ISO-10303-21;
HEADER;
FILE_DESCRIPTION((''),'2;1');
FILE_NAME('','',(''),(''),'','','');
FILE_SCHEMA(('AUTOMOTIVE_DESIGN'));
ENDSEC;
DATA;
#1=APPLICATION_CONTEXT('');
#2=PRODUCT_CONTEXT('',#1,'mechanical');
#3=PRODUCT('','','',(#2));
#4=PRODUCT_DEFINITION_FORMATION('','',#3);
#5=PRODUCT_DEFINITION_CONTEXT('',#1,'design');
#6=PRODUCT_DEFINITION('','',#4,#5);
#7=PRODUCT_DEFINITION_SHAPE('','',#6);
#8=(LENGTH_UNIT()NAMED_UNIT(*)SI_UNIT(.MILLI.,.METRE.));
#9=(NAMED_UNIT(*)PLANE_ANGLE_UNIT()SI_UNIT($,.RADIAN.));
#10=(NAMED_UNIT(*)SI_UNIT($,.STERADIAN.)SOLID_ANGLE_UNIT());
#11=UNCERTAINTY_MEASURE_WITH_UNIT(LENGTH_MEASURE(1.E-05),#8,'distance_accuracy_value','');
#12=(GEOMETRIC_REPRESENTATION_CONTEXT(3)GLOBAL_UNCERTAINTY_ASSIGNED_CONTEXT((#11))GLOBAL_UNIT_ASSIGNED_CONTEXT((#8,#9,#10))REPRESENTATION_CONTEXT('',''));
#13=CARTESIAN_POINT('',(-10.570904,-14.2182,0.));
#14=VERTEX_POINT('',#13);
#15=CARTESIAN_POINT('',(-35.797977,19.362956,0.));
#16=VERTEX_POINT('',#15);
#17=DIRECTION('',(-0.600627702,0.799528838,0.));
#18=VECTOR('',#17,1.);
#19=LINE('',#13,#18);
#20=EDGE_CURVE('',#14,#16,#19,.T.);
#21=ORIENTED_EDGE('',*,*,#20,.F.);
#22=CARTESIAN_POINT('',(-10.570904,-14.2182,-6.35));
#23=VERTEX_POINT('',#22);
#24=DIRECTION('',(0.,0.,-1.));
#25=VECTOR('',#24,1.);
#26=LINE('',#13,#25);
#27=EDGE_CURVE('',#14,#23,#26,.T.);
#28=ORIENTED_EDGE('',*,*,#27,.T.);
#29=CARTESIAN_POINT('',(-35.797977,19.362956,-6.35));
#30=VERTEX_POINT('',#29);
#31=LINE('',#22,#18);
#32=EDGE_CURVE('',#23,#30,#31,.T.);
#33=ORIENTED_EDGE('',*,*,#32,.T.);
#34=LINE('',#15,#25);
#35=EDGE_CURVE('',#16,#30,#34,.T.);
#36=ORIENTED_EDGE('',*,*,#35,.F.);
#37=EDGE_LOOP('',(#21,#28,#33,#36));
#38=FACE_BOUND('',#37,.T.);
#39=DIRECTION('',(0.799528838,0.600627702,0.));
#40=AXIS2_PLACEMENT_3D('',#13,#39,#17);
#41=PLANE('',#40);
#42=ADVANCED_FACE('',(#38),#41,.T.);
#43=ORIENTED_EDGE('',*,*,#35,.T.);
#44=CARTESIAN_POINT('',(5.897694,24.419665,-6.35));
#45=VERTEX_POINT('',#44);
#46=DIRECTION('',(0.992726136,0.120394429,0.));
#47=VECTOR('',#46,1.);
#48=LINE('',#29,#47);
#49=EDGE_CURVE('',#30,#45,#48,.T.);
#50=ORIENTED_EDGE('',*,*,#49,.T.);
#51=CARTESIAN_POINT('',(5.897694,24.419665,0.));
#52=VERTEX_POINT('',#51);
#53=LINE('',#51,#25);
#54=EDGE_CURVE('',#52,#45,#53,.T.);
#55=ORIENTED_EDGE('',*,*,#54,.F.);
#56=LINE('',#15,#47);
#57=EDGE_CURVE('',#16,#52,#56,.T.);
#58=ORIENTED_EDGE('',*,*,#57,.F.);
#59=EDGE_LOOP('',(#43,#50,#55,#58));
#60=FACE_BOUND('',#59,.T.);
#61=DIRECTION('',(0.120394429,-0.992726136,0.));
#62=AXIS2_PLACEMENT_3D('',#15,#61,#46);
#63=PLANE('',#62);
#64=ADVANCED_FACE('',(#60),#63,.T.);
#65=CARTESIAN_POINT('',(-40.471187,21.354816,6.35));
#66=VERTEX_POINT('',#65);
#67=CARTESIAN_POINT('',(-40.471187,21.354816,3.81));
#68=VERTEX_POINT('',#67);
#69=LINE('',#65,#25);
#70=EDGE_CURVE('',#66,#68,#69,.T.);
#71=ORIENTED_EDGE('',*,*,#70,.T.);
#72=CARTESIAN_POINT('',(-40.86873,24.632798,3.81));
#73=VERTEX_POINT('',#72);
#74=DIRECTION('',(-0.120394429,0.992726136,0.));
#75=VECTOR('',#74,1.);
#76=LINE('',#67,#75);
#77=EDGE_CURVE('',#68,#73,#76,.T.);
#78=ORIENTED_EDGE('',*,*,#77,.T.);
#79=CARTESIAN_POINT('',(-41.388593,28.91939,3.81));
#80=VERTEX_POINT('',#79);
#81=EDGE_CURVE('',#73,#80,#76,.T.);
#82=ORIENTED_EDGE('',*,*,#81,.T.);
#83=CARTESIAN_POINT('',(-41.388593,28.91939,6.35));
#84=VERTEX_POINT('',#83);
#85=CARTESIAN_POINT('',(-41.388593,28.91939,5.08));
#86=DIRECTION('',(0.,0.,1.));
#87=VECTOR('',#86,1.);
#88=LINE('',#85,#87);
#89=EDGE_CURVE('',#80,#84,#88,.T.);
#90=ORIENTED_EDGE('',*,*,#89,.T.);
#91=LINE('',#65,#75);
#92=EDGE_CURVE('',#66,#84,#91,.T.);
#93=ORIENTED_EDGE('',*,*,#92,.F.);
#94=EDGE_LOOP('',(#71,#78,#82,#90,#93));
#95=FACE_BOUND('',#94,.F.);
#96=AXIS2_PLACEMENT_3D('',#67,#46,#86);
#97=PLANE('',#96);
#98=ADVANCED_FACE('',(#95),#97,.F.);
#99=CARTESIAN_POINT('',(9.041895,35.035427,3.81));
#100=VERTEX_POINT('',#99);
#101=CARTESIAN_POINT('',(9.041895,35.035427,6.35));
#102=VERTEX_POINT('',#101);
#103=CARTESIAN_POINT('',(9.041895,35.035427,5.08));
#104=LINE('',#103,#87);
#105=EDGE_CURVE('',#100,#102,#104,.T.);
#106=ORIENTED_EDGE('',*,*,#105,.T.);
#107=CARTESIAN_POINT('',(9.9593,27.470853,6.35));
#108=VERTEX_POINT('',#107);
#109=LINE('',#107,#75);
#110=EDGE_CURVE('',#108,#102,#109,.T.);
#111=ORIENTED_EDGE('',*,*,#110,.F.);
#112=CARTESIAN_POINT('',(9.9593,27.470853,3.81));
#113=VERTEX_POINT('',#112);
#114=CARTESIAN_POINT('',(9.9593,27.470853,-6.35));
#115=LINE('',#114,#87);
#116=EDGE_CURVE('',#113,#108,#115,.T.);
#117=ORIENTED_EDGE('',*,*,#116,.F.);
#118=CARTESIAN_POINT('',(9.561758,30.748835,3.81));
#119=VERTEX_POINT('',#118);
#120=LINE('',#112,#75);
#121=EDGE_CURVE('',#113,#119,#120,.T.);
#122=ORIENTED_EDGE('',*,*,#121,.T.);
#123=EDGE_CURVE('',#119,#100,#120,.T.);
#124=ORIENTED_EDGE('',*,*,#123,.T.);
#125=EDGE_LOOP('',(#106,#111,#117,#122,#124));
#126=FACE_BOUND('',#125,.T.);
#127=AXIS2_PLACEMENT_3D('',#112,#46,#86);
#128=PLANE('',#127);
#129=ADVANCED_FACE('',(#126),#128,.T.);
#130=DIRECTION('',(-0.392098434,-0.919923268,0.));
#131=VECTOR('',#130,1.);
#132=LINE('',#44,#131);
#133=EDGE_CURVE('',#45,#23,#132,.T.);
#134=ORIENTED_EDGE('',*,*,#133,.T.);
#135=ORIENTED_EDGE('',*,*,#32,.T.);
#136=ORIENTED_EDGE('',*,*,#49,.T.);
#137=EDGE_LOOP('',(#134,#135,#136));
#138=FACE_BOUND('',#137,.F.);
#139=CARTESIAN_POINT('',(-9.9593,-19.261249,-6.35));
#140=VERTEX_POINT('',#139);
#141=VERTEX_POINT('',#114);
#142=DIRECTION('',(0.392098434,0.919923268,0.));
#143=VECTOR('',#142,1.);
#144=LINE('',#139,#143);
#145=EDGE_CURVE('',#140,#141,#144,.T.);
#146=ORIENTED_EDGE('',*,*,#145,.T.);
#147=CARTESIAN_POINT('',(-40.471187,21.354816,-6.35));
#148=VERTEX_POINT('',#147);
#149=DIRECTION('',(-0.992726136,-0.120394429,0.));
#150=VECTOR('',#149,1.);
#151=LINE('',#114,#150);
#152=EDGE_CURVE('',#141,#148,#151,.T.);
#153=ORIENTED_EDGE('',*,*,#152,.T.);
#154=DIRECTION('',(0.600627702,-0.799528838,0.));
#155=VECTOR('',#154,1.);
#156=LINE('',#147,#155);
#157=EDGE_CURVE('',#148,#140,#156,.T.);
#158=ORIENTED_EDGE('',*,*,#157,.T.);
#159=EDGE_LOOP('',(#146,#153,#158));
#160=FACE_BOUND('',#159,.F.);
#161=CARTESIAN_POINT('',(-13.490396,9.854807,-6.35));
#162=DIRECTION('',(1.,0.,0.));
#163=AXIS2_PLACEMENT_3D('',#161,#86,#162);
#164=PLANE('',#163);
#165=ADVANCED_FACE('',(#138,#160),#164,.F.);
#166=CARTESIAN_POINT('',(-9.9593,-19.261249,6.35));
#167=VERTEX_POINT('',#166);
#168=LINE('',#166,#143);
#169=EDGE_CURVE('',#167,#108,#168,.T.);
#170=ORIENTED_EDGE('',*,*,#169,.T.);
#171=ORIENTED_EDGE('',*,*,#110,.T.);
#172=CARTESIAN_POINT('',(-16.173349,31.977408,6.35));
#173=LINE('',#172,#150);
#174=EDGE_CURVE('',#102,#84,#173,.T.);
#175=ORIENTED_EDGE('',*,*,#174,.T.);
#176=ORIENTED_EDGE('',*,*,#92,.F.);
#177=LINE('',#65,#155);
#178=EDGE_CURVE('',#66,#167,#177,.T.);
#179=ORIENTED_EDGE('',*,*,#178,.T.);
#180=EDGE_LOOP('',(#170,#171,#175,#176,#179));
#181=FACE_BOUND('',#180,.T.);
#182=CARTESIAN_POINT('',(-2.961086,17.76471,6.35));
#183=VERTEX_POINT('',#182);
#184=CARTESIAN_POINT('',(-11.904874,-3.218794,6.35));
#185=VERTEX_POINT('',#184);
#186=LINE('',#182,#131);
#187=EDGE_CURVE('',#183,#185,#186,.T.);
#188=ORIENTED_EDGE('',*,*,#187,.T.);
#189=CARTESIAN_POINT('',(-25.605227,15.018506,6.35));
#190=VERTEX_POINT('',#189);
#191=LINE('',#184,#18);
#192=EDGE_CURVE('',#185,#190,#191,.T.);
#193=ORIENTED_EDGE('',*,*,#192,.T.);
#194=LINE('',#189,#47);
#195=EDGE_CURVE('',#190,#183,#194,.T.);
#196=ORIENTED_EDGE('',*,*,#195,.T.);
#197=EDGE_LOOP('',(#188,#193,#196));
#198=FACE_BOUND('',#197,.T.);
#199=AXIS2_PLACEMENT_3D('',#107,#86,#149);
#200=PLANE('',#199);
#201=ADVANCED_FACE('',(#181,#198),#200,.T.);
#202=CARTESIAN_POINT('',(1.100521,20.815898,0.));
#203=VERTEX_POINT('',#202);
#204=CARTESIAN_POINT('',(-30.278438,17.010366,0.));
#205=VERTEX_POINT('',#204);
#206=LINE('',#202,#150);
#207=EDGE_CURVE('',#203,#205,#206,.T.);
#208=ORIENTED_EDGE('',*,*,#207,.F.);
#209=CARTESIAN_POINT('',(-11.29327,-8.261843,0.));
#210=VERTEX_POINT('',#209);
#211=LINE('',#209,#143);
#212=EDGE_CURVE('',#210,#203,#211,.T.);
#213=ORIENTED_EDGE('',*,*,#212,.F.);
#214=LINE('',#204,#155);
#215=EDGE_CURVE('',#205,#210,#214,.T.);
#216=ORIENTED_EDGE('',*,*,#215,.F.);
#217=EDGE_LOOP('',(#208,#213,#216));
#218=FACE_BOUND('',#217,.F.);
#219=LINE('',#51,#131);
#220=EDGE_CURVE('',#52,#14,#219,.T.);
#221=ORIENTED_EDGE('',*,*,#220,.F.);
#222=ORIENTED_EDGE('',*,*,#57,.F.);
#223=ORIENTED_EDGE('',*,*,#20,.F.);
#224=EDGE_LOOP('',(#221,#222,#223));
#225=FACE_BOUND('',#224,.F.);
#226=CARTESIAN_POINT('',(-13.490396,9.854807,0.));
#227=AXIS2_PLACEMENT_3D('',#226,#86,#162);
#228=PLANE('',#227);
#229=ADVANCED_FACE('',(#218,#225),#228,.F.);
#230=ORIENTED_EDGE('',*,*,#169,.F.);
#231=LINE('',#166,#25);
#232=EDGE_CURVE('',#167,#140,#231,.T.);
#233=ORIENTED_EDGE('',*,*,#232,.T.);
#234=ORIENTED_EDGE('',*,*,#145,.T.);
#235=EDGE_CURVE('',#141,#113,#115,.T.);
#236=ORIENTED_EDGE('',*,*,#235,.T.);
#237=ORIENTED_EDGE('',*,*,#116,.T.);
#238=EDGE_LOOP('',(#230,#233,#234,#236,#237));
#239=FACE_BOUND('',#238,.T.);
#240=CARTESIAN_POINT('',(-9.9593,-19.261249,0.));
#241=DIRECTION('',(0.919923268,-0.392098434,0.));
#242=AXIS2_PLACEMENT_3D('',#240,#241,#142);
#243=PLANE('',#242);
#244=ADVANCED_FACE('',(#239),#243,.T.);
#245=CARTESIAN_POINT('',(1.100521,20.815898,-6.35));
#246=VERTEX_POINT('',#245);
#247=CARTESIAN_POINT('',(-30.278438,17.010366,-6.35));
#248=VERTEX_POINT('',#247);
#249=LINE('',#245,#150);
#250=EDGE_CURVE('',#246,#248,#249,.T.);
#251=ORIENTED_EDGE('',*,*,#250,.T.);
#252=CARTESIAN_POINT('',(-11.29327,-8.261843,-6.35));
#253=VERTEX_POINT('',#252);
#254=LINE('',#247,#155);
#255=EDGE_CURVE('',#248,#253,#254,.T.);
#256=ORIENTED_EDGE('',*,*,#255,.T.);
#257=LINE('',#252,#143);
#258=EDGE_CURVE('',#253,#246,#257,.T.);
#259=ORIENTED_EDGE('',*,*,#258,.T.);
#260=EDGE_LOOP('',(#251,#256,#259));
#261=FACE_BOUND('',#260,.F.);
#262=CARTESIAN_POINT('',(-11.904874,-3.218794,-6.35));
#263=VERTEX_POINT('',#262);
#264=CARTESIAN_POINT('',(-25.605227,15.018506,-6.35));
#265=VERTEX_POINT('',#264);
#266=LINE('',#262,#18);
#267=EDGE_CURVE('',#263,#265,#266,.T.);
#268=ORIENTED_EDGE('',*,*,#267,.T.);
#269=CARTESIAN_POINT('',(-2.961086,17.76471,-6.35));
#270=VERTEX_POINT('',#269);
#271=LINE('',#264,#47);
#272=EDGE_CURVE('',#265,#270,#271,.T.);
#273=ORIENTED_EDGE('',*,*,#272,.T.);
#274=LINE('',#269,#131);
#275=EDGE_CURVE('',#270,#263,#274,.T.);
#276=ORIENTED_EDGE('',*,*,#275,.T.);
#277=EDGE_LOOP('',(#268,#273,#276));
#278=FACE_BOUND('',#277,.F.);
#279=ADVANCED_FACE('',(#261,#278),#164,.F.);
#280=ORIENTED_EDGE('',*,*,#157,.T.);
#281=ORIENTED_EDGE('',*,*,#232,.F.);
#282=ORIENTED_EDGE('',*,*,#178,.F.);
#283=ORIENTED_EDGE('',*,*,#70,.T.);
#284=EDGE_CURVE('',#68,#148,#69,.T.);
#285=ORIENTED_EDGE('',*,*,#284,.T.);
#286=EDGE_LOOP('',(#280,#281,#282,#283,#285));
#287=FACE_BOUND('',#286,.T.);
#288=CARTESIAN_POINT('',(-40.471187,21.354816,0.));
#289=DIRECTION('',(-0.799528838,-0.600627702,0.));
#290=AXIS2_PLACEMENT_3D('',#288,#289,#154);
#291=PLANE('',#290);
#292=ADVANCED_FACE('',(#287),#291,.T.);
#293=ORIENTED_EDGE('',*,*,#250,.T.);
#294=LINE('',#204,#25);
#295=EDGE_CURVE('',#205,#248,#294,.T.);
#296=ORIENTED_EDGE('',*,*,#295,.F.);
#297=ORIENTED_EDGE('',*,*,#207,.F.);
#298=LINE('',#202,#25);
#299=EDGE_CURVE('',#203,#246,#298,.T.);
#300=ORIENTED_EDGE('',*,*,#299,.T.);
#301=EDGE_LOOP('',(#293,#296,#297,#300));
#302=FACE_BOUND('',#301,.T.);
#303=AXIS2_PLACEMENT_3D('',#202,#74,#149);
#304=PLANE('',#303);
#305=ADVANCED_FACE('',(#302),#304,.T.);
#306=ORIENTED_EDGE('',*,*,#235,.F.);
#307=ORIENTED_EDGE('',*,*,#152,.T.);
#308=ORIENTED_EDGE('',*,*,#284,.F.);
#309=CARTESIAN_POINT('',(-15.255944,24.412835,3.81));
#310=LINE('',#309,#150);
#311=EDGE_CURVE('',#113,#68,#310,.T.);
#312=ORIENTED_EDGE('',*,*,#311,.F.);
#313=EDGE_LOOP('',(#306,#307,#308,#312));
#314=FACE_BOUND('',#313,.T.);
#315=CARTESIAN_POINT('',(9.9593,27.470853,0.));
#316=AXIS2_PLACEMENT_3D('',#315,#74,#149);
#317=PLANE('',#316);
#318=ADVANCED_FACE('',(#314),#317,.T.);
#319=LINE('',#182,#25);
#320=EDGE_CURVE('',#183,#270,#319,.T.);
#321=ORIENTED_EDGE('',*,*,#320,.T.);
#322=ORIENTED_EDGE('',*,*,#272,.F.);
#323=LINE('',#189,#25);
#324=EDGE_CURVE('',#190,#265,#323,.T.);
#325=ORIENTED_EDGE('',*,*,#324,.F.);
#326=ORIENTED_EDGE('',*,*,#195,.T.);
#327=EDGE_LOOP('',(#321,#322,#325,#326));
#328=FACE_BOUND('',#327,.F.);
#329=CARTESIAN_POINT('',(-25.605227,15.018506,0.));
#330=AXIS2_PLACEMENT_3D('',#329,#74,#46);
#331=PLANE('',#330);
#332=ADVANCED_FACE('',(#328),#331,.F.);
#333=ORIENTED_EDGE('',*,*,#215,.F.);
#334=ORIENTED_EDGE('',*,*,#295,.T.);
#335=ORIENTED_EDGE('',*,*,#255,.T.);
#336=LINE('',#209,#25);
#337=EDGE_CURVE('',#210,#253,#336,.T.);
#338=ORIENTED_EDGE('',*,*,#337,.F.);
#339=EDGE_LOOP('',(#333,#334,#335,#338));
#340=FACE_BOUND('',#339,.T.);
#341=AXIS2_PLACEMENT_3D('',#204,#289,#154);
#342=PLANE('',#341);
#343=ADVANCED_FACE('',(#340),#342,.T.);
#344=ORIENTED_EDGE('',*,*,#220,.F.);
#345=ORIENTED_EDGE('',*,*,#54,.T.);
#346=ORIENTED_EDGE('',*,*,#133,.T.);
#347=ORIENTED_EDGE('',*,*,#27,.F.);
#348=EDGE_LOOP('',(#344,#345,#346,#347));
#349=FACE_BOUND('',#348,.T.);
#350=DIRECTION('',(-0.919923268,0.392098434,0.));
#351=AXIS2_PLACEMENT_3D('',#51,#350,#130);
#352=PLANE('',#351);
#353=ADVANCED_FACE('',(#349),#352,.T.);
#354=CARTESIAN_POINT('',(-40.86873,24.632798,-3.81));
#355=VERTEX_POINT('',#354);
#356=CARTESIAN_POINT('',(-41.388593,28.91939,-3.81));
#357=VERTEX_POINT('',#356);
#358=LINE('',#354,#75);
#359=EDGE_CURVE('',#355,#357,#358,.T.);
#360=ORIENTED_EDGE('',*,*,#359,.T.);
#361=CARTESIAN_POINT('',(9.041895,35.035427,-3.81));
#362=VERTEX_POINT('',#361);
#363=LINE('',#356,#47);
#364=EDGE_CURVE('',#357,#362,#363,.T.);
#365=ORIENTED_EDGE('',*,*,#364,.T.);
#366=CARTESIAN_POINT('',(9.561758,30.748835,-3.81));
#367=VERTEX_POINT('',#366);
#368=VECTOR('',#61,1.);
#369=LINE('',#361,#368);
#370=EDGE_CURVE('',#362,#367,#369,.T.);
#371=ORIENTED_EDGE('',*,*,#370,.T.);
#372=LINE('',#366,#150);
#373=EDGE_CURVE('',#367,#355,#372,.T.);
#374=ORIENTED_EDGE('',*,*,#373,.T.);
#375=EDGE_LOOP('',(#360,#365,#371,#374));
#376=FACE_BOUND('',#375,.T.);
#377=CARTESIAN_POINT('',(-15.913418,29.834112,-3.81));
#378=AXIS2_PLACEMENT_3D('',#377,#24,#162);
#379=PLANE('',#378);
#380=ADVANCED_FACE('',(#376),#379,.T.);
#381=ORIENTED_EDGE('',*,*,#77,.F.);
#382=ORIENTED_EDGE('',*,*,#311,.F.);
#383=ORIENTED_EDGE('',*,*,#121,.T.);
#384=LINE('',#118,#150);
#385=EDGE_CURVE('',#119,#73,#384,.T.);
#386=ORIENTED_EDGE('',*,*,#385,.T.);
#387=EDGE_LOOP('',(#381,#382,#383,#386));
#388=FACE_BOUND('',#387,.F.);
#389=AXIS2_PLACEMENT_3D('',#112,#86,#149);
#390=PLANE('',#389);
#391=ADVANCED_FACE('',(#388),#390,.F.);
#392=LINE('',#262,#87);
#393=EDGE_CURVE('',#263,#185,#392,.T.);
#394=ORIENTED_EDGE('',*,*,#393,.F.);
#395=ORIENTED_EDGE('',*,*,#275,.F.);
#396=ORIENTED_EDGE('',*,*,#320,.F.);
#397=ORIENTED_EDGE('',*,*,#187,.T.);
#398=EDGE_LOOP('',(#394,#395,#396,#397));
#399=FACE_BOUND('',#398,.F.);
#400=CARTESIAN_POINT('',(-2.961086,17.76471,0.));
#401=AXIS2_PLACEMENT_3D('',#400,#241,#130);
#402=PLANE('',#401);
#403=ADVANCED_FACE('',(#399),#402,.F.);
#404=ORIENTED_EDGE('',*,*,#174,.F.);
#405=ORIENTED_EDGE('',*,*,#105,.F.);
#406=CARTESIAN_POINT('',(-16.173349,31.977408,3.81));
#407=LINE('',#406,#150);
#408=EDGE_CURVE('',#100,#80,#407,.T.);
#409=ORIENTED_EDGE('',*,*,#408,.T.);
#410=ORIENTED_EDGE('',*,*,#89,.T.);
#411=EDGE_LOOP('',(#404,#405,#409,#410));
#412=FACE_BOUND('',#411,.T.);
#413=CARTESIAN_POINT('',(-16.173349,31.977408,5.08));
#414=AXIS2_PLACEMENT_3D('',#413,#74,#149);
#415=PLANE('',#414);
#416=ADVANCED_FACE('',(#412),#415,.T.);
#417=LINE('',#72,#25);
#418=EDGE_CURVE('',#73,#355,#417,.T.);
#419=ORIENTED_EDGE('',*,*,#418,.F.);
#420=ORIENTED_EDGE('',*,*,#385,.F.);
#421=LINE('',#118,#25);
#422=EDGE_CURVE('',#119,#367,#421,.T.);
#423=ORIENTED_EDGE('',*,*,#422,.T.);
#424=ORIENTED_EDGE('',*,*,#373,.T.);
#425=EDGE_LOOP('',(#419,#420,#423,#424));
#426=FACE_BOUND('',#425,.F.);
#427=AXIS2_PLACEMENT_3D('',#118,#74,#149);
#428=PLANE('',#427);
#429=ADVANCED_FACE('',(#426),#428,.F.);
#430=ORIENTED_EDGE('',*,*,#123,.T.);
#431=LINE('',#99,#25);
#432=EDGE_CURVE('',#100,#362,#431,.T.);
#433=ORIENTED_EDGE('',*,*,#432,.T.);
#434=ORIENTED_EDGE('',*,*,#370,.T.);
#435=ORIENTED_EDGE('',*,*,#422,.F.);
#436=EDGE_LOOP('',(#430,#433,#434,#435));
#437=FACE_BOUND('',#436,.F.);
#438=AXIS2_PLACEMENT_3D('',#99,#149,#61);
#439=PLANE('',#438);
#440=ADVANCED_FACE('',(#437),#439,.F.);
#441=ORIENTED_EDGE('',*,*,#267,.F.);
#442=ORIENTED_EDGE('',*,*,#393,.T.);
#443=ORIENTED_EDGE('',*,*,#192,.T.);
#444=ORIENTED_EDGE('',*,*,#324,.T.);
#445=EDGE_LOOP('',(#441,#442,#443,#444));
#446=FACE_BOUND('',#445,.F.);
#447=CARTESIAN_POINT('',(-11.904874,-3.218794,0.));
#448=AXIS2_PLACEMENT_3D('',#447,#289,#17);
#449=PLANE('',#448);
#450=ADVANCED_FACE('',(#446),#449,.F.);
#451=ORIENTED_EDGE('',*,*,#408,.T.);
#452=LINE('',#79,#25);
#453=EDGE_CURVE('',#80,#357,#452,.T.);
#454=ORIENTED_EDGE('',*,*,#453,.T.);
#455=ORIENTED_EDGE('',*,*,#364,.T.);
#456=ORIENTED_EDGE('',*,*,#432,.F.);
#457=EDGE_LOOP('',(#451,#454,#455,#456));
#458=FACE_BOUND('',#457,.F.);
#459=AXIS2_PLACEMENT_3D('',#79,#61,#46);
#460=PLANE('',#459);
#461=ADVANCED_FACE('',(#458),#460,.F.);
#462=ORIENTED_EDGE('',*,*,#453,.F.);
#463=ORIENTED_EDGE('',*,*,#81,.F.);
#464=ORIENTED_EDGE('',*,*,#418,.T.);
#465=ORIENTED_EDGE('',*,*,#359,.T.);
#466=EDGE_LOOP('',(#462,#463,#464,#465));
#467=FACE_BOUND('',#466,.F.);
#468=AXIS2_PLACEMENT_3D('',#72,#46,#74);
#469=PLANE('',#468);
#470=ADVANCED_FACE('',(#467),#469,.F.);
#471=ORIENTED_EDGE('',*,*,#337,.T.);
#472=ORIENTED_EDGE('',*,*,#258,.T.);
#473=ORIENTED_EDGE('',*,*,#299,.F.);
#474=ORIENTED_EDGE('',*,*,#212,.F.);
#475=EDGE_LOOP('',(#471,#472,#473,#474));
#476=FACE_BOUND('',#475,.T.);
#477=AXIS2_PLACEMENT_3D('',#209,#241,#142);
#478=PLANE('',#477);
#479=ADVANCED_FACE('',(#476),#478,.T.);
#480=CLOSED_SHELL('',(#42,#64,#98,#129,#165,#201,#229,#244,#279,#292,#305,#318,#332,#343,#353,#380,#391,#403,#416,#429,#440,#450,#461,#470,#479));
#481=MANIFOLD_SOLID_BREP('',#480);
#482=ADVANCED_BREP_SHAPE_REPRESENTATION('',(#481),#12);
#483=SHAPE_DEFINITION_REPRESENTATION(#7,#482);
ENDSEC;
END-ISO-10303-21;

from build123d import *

# Parameters (mm, degrees)
F1_DEPTH = 6.35
F2_DEPTH = 6.35
F3_W     = 50.8
F3_H     = 2.54
F4_DEPTH = 7.62
F6_DEPTH = 7.62


with BuildPart() as f1:
    # F0 (on Top) → F1 (new body)
    with BuildSketch(Plane.XY):
        Polygon((-9.9593002213, -19.26124861), (9.9593002213, 27.47085338), (-40.4711874956, 21.3548163761), align=None)
        Polygon((-10.5709039217, -14.2181998383), (-35.7979772966, 19.3629563319), (5.8976937227, 24.4196646526), align=None, mode=Mode.SUBTRACT)
        Polygon((5.8976937227, 24.4196646526), (-35.7979772966, 19.3629563319), (-10.5709039217, -14.2181998383), align=None)
        Polygon((-11.293270497, -8.2618430214), (-30.2784376915, 17.0103657284), (1.1005206928, 20.8158984391), align=None, mode=Mode.SUBTRACT)
        Polygon((1.1005206928, 20.8158984391), (-30.2784376915, 17.0103657284), (-11.293270497, -8.2618430214), align=None)
        Polygon((-11.9048741973, -3.2187942497), (-25.6052274925, 15.0185056841), (-2.9610858058, 17.7647097116), align=None, mode=Mode.SUBTRACT)
    extrude(amount=F1_DEPTH)

    # F0 (on Top) → F2 (join)
    with BuildSketch(Plane.XY):
        Polygon((-9.9593002213, -19.26124861), (9.9593002213, 27.47085338), (-40.4711874956, 21.3548163761), align=None)
        Polygon((-10.5709039217, -14.2181998383), (-35.7979772966, 19.3629563319), (5.8976937227, 24.4196646526), align=None, mode=Mode.SUBTRACT)
        Polygon((1.1005206928, 20.8158984391), (-30.2784376915, 17.0103657284), (-11.293270497, -8.2618430214), align=None)
        Polygon((-11.9048741973, -3.2187942497), (-25.6052274925, 15.0185056841), (-2.9610858058, 17.7647097116), align=None, mode=Mode.SUBTRACT)
    extrude(amount=-F2_DEPTH)

    # F3 (on face) → F4 (join)
    with BuildSketch(Plane(origin=(-3.1389223385, 25.8823457631, 0), x_dir=(-0.9927261362, -0.1203944292, 0), z_dir=(-0.1203944292, 0.9927261362, 0))):
        with Locations((12.2058046598, 5.08)):
            Rectangle(F3_W, F3_H)
    extrude(amount=F4_DEPTH)

    # F5 (on face) → F6 (join)
    with BuildSketch(Plane(origin=(0, 0, 3.81), x_dir=(1, 0, 0), z_dir=(0, 0, -1))):
        Polygon((9.5617578161, -30.7488350816), (-40.8687299009, -24.6327980777), (-41.3885930462, -28.9193895337), (9.0418946707, -35.0354265375), align=None)
    extrude(amount=F6_DEPTH)


solid = f1.part
